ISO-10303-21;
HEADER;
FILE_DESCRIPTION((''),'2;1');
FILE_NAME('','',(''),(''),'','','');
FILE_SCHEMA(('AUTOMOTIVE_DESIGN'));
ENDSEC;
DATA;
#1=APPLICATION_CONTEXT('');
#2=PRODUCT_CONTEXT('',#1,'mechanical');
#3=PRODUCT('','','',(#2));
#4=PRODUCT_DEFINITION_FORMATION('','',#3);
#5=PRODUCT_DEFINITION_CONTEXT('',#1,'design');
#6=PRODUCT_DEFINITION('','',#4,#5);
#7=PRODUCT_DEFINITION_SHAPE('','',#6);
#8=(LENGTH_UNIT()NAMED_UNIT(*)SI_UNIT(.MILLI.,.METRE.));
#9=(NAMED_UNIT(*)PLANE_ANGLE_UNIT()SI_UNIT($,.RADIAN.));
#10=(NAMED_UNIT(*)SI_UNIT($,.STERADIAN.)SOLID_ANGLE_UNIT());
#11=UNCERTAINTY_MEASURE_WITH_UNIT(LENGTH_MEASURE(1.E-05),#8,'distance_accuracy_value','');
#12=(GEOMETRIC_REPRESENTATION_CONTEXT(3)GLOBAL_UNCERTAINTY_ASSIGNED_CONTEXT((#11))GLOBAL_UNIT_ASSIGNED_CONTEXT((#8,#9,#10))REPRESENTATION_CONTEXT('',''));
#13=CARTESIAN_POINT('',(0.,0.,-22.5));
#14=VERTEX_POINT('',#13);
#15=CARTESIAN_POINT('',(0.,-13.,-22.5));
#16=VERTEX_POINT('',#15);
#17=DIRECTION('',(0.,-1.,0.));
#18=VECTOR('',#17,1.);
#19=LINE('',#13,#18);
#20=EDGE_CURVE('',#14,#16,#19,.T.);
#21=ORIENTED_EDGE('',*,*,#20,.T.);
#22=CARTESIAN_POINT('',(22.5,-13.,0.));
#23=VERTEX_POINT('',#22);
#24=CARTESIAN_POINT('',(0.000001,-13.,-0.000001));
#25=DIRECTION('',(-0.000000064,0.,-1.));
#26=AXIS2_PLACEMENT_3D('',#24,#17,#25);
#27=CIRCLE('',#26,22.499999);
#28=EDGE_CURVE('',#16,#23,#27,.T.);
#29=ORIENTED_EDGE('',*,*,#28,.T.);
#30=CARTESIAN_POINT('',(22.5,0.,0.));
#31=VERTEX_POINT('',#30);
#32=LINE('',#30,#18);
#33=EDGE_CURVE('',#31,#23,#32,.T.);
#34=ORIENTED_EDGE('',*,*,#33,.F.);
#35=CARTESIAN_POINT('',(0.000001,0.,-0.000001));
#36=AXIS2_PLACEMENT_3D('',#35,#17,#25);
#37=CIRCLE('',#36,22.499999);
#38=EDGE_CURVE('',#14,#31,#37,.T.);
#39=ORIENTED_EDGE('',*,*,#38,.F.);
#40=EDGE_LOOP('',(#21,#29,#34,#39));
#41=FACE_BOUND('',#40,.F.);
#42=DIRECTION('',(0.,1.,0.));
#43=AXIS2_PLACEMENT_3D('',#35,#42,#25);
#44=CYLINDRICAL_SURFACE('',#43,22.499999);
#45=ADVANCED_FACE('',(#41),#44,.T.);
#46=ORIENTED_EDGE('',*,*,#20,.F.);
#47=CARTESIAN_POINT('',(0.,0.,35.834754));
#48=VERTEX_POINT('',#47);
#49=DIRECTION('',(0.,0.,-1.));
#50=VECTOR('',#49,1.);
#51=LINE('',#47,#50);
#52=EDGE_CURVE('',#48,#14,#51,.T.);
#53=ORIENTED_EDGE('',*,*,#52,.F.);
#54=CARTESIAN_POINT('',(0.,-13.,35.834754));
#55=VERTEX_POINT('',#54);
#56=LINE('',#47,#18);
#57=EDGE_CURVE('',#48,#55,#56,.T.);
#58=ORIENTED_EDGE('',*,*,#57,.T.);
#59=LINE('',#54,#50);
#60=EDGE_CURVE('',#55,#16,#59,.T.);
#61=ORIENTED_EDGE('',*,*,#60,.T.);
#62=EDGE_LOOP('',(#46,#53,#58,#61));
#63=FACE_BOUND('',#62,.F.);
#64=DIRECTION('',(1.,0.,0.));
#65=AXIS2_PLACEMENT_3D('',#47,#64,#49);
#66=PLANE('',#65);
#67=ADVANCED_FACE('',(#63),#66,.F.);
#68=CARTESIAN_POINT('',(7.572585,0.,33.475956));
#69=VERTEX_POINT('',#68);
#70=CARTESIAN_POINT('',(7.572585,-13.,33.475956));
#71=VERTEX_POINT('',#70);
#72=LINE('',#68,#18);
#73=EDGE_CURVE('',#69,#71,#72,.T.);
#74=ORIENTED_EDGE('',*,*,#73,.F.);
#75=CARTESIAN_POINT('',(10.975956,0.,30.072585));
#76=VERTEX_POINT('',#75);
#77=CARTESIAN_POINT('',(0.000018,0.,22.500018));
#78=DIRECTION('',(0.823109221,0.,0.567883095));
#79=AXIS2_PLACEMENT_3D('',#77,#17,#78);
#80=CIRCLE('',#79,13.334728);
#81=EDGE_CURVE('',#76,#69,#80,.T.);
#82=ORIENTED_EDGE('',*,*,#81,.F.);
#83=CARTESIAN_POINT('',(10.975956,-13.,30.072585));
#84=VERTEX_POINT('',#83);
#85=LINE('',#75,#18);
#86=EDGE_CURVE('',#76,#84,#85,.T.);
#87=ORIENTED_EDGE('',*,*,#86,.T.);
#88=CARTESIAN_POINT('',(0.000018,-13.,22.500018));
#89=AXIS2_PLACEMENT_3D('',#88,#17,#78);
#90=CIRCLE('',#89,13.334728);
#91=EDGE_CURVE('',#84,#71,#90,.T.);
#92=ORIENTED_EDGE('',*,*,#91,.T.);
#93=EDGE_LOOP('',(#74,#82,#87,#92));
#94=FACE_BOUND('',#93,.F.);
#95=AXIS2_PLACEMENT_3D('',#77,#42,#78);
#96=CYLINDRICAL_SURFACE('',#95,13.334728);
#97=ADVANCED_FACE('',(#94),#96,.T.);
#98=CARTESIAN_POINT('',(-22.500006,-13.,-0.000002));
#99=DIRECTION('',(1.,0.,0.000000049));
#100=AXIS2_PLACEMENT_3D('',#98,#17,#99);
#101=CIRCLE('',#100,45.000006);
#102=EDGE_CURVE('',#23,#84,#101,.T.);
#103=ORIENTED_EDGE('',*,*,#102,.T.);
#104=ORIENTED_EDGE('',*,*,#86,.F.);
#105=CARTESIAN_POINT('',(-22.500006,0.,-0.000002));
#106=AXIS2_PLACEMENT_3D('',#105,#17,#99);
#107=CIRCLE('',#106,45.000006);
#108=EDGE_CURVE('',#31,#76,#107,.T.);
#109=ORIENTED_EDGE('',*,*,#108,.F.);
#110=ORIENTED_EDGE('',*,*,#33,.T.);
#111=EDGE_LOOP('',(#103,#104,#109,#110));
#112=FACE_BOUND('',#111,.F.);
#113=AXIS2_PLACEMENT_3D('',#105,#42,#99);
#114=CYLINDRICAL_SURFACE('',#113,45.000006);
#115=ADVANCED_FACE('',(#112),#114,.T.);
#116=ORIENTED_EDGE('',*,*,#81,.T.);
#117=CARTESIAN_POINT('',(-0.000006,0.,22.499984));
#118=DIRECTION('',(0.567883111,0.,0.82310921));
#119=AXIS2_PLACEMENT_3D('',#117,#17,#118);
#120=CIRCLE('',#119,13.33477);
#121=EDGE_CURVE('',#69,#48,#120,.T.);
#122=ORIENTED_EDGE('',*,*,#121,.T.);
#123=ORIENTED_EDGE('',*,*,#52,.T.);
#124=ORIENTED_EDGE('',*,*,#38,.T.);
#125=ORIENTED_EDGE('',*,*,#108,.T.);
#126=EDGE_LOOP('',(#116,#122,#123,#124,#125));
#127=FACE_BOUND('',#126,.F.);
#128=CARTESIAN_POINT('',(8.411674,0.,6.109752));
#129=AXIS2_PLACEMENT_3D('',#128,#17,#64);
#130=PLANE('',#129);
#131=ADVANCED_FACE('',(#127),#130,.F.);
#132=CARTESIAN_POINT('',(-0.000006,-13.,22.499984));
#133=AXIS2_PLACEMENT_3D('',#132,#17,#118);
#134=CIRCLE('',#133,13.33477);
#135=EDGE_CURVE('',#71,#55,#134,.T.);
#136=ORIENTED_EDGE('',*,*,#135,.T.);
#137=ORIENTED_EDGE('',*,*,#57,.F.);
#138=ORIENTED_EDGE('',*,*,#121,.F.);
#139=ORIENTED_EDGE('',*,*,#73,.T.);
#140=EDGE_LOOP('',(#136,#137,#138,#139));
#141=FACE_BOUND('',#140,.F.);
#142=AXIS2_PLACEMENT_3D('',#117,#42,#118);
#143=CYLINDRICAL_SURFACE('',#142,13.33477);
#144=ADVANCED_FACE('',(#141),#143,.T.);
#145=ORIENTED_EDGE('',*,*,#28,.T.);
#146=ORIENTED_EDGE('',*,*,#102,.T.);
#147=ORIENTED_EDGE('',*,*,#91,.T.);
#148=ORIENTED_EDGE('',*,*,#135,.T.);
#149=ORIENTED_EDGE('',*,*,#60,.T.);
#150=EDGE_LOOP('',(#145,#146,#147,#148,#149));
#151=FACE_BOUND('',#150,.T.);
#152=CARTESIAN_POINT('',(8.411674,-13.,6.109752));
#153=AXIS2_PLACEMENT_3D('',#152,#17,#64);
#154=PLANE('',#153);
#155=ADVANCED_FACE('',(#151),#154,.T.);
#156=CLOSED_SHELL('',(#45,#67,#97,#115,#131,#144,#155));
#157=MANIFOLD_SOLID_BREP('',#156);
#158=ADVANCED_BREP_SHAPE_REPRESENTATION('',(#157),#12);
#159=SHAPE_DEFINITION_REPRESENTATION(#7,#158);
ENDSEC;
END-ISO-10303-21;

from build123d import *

# Parameters (mm, degrees)
F1_DEPTH = 13


with BuildPart() as f1:
    # F0 (on Front) → F1 (new body)
    with BuildSketch(Plane.XZ):
        with BuildLine():
            Line((0, 35.834754), (0, -22.5))
            ThreePointArc((0, -22.5), (15.909903, -15.909903), (22.5, 0))
            ThreePointArc((22.5, 0), (19.52034, 16.102515), (10.975956, 30.072585))
            ThreePointArc((10.975956, 30.072585), (9.319805, 31.819805), (7.572585, 33.475956))
            ThreePointArc((7.572585, 33.475956), (3.965727, 35.231404), (0, 35.834754))
        make_face()
        with BuildLine():
            ThreePointArc((7.572585, 33.475956), (9.319805, 31.819805), (10.975956, 30.072585))
            ThreePointArc((10.975956, 30.072585), (9.429095, 31.929095), (7.572585, 33.475956))
        make_face()
    extrude(amount=F1_DEPTH)


solid = f1.part
